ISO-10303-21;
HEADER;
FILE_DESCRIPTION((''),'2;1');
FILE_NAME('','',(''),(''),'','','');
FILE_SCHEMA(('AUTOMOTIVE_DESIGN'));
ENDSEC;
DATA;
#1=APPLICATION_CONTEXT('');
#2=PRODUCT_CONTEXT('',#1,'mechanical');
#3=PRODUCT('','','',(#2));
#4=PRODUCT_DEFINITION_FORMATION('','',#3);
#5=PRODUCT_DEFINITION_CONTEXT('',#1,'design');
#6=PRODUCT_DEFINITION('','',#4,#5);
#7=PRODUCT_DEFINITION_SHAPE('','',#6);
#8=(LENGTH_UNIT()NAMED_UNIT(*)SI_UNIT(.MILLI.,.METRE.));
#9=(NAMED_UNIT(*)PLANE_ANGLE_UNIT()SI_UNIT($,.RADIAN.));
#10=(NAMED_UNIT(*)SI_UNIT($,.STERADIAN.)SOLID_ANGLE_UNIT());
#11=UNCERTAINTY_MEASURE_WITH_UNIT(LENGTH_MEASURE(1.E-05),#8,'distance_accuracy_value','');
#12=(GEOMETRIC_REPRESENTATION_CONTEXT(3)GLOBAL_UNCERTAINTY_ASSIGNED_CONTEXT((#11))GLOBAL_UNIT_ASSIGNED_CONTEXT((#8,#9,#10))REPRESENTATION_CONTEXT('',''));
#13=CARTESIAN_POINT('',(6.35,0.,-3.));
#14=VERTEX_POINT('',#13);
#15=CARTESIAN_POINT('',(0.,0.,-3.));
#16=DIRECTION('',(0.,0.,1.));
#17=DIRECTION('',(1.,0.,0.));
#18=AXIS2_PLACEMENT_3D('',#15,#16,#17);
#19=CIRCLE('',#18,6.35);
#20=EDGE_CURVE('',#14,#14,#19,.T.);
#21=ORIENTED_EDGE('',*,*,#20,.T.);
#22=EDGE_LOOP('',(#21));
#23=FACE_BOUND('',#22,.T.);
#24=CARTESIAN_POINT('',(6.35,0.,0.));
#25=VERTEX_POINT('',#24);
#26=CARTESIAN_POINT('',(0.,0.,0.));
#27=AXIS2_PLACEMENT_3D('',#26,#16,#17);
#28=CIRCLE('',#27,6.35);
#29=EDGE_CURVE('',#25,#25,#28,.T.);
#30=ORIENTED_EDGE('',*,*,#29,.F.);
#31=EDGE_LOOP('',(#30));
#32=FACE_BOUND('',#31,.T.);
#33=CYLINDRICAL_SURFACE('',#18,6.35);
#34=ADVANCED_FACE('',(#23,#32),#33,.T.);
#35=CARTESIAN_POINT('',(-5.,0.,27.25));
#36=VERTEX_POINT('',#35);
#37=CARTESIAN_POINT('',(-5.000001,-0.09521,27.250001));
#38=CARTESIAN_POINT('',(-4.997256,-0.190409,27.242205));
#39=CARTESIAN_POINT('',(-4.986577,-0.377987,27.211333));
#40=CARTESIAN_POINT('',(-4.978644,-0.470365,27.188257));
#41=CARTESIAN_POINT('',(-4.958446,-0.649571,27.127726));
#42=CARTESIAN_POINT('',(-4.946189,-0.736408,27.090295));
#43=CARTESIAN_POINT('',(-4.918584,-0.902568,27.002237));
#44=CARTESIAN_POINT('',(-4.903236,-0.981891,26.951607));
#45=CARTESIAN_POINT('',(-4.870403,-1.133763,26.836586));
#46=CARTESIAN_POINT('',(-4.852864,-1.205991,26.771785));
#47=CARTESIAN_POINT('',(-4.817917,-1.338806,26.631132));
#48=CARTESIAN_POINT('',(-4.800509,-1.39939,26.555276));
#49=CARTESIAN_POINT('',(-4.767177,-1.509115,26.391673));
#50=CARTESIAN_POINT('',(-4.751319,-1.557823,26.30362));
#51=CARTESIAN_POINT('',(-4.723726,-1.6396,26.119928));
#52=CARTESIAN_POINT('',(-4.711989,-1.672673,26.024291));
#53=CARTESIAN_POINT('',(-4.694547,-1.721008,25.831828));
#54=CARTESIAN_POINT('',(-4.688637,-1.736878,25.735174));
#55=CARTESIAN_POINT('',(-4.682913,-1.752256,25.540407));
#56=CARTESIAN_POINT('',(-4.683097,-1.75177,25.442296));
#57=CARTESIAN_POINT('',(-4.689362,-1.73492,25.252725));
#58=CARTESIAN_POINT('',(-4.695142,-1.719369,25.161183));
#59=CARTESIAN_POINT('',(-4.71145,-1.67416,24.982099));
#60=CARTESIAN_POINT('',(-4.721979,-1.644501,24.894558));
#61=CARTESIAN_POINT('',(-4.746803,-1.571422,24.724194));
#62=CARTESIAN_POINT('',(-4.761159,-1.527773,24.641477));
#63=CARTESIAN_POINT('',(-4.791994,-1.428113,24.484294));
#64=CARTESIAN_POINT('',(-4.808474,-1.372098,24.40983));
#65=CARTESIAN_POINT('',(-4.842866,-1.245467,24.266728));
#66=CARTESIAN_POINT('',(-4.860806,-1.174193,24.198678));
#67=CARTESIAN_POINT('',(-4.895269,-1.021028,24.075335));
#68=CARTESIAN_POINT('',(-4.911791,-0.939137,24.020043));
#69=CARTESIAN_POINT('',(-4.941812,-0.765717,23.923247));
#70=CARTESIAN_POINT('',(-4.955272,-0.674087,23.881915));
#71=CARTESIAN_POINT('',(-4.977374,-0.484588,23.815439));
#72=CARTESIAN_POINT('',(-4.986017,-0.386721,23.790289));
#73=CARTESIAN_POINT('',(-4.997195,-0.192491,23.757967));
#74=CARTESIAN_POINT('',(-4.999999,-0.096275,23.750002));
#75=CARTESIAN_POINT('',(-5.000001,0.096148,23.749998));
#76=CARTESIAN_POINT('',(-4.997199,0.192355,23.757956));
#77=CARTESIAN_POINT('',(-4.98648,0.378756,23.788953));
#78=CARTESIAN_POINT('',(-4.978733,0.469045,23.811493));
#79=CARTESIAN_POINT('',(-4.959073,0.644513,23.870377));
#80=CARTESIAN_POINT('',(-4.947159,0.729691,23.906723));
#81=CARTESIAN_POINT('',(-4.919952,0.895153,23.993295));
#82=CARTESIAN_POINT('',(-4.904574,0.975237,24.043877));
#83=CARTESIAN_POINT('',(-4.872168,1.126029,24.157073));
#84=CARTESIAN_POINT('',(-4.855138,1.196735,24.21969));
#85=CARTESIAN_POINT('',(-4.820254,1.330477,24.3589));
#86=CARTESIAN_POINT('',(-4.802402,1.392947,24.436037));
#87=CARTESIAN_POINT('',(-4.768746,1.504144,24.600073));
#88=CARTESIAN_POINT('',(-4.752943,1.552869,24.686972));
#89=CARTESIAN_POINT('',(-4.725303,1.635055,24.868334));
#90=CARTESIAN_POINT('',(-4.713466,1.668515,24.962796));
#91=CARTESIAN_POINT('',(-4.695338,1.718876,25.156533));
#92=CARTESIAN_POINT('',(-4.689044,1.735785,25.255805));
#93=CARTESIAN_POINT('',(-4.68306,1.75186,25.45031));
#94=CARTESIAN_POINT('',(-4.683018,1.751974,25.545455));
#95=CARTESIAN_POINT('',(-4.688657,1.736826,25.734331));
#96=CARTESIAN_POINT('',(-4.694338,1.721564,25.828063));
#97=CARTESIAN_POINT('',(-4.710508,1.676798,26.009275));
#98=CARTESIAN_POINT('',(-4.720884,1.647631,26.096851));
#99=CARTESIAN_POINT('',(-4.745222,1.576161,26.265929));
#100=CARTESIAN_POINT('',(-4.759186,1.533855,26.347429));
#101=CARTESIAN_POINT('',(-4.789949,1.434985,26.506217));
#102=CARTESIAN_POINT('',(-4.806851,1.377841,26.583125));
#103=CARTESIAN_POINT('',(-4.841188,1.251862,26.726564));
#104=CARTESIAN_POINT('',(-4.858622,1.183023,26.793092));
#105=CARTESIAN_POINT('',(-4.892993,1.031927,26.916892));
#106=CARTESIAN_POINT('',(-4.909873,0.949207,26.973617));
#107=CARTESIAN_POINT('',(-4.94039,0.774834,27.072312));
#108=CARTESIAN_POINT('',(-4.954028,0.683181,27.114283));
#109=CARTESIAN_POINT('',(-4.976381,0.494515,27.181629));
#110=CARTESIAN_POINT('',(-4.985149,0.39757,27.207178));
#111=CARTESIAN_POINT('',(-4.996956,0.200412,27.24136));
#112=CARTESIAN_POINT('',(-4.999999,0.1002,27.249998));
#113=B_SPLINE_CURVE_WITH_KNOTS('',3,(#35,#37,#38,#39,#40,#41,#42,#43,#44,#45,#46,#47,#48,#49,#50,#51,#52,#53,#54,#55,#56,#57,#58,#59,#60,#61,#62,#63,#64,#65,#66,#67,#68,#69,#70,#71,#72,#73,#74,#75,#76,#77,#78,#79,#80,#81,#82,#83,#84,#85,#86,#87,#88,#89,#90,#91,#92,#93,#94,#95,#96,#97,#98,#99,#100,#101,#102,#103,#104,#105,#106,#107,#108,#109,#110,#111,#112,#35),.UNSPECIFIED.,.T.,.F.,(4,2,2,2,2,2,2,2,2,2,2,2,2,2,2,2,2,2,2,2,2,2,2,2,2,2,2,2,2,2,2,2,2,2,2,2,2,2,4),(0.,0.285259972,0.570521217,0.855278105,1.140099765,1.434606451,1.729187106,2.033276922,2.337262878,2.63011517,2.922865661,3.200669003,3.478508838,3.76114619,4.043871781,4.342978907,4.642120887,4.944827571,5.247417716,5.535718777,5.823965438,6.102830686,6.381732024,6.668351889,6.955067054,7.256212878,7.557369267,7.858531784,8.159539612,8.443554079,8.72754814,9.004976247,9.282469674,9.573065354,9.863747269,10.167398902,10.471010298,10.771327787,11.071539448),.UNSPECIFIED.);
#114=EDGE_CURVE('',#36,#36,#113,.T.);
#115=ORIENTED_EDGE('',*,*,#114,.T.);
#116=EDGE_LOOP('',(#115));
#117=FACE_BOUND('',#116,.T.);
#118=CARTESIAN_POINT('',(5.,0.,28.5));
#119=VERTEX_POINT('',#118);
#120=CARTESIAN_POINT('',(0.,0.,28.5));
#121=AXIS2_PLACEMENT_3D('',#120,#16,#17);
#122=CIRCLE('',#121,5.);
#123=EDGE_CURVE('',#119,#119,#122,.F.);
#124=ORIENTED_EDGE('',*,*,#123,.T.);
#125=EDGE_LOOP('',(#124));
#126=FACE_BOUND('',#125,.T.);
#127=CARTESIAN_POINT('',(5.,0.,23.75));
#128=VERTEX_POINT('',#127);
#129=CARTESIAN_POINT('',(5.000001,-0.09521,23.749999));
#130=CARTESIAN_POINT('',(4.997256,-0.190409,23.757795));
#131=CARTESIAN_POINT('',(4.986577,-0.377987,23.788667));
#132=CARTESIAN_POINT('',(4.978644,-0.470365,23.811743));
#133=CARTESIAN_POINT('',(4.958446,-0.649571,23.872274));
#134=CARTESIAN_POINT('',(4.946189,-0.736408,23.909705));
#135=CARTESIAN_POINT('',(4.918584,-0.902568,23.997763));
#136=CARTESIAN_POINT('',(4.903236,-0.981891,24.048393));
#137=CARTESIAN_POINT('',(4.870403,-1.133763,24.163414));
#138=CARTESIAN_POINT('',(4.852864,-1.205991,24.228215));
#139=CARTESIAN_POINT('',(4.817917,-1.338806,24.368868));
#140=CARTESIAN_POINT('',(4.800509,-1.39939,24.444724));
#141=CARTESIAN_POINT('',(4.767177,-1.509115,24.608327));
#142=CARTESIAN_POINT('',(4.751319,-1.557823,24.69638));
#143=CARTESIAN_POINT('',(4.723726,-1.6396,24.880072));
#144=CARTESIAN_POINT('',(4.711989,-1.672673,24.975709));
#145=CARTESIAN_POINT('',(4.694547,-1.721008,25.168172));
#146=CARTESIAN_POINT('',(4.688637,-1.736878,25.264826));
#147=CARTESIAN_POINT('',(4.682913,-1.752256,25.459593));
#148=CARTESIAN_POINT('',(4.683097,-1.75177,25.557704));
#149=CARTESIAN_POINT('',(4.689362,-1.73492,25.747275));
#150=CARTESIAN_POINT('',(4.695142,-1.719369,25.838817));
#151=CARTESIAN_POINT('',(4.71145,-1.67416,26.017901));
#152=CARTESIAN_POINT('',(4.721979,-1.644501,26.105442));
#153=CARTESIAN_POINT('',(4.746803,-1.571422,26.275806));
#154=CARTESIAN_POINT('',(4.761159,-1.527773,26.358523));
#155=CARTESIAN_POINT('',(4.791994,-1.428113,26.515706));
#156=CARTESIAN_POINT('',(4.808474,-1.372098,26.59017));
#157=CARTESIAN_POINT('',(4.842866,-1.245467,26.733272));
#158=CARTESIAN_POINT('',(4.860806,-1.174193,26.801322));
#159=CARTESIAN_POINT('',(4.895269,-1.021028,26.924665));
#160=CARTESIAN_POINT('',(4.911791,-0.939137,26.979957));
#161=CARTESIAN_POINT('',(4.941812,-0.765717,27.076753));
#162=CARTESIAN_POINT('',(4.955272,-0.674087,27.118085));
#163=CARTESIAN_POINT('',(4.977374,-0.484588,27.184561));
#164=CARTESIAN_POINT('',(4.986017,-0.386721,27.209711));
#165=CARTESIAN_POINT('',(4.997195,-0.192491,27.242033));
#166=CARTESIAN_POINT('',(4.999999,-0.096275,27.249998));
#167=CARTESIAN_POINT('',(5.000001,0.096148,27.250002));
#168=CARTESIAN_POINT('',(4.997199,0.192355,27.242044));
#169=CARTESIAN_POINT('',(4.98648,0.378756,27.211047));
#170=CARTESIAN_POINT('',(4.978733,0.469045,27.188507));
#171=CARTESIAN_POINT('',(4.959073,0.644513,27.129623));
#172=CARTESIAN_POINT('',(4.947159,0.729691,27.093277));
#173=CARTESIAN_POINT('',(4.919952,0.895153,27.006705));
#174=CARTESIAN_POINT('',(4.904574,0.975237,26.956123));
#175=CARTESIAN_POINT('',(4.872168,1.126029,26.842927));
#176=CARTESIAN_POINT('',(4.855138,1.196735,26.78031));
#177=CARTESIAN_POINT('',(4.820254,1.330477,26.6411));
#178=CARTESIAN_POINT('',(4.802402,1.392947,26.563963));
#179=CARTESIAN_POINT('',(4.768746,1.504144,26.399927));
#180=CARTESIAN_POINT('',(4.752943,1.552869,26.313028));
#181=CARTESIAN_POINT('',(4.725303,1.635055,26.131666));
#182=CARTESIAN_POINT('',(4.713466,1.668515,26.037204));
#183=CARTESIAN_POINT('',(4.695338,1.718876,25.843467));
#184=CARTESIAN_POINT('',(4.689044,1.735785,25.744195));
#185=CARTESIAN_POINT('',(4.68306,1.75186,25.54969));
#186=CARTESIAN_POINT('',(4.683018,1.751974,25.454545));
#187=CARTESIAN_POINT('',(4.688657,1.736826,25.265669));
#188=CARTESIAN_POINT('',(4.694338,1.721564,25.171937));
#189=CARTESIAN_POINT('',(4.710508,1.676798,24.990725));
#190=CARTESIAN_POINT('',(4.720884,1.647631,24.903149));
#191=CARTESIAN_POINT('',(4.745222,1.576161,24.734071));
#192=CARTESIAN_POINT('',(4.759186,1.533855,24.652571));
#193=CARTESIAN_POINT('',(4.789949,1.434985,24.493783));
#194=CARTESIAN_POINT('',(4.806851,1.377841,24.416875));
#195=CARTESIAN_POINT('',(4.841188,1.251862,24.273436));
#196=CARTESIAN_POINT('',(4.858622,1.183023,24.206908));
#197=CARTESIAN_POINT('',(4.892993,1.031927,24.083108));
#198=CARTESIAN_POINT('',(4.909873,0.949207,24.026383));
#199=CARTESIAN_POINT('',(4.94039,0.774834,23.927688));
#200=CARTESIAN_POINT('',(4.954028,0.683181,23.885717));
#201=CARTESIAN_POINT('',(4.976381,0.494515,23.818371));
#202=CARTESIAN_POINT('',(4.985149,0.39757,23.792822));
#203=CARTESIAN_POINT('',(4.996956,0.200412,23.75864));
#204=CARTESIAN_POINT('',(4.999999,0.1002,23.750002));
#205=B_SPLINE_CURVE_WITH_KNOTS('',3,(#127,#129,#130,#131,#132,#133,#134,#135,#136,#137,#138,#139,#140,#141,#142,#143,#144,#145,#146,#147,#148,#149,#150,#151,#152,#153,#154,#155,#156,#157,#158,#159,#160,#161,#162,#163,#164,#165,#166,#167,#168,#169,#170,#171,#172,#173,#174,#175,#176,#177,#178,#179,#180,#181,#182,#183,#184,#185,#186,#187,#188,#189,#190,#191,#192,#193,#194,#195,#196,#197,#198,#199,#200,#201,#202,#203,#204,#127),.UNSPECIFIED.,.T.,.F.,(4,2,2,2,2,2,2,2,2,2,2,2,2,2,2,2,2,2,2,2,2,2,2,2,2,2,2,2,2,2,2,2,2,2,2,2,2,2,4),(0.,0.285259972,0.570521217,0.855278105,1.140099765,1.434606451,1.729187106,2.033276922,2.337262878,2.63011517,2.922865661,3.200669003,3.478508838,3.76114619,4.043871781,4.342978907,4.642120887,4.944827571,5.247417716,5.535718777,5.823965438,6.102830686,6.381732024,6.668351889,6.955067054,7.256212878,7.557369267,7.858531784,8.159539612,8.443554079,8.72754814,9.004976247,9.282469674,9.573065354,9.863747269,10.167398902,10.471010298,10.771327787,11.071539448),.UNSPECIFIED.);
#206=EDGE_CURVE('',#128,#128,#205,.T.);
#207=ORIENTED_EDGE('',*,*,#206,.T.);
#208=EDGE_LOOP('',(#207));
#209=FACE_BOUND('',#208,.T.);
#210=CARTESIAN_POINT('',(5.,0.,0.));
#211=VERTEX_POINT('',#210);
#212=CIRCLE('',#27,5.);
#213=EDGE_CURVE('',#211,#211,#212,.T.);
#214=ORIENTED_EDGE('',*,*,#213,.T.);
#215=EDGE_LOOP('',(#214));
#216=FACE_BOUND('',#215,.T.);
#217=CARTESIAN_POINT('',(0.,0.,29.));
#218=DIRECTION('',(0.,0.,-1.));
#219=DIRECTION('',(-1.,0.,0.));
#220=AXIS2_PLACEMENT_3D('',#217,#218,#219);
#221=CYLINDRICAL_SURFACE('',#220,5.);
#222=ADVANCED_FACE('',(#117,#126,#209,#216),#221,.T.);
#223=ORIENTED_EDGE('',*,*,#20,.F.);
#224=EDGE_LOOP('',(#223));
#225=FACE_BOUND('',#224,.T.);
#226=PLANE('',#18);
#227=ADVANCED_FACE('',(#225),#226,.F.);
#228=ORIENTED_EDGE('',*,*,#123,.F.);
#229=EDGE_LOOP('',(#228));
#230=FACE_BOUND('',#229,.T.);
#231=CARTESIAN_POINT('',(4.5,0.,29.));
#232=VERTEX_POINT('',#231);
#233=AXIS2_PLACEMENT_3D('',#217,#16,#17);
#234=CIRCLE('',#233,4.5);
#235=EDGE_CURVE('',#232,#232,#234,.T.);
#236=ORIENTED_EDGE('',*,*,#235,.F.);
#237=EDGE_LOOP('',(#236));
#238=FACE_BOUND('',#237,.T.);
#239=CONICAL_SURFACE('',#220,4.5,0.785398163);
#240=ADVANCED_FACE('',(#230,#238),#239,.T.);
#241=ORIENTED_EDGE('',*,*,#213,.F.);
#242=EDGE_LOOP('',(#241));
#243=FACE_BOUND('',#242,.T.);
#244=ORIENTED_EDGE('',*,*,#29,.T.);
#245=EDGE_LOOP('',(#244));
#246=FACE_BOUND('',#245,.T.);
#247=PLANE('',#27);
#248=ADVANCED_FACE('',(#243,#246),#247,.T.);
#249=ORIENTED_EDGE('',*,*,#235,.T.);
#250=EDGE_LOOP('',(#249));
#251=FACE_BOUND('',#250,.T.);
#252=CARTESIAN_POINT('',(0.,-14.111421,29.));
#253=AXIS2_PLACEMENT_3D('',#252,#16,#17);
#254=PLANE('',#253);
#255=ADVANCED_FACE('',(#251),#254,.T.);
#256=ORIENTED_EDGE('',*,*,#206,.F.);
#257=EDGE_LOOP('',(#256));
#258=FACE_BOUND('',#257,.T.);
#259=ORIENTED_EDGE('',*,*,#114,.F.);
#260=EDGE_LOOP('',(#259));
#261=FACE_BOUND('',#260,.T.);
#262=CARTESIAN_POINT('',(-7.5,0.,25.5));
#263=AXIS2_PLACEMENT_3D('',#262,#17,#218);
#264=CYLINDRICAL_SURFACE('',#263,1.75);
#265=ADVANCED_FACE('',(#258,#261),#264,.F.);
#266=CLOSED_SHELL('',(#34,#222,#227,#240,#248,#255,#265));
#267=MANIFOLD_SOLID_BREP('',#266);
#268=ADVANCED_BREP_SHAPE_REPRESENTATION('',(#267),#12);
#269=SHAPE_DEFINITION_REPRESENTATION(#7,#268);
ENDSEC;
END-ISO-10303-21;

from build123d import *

# Parameters (mm, degrees)
ESBO_O1_R             = 5
EXTRUS_O1_DEPTH       = 29
ESBO_O1_3_R           = 6.35
EXTRUS_O2_DEPTH       = 3
ESBO_O2_R             = 1.75
CORTE_EXTRUS_O1_DEPTH = 7.5
CHANFRO1_SIZE         = 0.5


with BuildPart() as part:
    # Esboço1 → Extrusão1 (new body)
    with BuildSketch(Plane.XY):
        Circle(ESBO_O1_R)
    extrude(amount=EXTRUS_O1_DEPTH)

    # Esboço1<3> → Extrusão2 (add)
    with BuildSketch(Plane.XY):
        Circle(ESBO_O1_3_R)
    extrude(amount=-EXTRUS_O2_DEPTH)

    # Esboço2 → Corte-extrusão1 (cut, symmetric)
    with BuildSketch(Plane(origin=(0, 0, 0), x_dir=(0, 0, -1), z_dir=(1, 0, 0))):
        with Locations((-25.5, 0)):
            Circle(ESBO_O2_R)
    extrude(amount=CORTE_EXTRUS_O1_DEPTH, both=True, mode=Mode.SUBTRACT)

    # Chanfro1
    chanfro1_edges = [part.edges().sort_by_distance(p)[0] for p in [
        (-5, 0, 29),
    ]]
    chamfer(chanfro1_edges, length=CHANFRO1_SIZE)


solid = part.part
